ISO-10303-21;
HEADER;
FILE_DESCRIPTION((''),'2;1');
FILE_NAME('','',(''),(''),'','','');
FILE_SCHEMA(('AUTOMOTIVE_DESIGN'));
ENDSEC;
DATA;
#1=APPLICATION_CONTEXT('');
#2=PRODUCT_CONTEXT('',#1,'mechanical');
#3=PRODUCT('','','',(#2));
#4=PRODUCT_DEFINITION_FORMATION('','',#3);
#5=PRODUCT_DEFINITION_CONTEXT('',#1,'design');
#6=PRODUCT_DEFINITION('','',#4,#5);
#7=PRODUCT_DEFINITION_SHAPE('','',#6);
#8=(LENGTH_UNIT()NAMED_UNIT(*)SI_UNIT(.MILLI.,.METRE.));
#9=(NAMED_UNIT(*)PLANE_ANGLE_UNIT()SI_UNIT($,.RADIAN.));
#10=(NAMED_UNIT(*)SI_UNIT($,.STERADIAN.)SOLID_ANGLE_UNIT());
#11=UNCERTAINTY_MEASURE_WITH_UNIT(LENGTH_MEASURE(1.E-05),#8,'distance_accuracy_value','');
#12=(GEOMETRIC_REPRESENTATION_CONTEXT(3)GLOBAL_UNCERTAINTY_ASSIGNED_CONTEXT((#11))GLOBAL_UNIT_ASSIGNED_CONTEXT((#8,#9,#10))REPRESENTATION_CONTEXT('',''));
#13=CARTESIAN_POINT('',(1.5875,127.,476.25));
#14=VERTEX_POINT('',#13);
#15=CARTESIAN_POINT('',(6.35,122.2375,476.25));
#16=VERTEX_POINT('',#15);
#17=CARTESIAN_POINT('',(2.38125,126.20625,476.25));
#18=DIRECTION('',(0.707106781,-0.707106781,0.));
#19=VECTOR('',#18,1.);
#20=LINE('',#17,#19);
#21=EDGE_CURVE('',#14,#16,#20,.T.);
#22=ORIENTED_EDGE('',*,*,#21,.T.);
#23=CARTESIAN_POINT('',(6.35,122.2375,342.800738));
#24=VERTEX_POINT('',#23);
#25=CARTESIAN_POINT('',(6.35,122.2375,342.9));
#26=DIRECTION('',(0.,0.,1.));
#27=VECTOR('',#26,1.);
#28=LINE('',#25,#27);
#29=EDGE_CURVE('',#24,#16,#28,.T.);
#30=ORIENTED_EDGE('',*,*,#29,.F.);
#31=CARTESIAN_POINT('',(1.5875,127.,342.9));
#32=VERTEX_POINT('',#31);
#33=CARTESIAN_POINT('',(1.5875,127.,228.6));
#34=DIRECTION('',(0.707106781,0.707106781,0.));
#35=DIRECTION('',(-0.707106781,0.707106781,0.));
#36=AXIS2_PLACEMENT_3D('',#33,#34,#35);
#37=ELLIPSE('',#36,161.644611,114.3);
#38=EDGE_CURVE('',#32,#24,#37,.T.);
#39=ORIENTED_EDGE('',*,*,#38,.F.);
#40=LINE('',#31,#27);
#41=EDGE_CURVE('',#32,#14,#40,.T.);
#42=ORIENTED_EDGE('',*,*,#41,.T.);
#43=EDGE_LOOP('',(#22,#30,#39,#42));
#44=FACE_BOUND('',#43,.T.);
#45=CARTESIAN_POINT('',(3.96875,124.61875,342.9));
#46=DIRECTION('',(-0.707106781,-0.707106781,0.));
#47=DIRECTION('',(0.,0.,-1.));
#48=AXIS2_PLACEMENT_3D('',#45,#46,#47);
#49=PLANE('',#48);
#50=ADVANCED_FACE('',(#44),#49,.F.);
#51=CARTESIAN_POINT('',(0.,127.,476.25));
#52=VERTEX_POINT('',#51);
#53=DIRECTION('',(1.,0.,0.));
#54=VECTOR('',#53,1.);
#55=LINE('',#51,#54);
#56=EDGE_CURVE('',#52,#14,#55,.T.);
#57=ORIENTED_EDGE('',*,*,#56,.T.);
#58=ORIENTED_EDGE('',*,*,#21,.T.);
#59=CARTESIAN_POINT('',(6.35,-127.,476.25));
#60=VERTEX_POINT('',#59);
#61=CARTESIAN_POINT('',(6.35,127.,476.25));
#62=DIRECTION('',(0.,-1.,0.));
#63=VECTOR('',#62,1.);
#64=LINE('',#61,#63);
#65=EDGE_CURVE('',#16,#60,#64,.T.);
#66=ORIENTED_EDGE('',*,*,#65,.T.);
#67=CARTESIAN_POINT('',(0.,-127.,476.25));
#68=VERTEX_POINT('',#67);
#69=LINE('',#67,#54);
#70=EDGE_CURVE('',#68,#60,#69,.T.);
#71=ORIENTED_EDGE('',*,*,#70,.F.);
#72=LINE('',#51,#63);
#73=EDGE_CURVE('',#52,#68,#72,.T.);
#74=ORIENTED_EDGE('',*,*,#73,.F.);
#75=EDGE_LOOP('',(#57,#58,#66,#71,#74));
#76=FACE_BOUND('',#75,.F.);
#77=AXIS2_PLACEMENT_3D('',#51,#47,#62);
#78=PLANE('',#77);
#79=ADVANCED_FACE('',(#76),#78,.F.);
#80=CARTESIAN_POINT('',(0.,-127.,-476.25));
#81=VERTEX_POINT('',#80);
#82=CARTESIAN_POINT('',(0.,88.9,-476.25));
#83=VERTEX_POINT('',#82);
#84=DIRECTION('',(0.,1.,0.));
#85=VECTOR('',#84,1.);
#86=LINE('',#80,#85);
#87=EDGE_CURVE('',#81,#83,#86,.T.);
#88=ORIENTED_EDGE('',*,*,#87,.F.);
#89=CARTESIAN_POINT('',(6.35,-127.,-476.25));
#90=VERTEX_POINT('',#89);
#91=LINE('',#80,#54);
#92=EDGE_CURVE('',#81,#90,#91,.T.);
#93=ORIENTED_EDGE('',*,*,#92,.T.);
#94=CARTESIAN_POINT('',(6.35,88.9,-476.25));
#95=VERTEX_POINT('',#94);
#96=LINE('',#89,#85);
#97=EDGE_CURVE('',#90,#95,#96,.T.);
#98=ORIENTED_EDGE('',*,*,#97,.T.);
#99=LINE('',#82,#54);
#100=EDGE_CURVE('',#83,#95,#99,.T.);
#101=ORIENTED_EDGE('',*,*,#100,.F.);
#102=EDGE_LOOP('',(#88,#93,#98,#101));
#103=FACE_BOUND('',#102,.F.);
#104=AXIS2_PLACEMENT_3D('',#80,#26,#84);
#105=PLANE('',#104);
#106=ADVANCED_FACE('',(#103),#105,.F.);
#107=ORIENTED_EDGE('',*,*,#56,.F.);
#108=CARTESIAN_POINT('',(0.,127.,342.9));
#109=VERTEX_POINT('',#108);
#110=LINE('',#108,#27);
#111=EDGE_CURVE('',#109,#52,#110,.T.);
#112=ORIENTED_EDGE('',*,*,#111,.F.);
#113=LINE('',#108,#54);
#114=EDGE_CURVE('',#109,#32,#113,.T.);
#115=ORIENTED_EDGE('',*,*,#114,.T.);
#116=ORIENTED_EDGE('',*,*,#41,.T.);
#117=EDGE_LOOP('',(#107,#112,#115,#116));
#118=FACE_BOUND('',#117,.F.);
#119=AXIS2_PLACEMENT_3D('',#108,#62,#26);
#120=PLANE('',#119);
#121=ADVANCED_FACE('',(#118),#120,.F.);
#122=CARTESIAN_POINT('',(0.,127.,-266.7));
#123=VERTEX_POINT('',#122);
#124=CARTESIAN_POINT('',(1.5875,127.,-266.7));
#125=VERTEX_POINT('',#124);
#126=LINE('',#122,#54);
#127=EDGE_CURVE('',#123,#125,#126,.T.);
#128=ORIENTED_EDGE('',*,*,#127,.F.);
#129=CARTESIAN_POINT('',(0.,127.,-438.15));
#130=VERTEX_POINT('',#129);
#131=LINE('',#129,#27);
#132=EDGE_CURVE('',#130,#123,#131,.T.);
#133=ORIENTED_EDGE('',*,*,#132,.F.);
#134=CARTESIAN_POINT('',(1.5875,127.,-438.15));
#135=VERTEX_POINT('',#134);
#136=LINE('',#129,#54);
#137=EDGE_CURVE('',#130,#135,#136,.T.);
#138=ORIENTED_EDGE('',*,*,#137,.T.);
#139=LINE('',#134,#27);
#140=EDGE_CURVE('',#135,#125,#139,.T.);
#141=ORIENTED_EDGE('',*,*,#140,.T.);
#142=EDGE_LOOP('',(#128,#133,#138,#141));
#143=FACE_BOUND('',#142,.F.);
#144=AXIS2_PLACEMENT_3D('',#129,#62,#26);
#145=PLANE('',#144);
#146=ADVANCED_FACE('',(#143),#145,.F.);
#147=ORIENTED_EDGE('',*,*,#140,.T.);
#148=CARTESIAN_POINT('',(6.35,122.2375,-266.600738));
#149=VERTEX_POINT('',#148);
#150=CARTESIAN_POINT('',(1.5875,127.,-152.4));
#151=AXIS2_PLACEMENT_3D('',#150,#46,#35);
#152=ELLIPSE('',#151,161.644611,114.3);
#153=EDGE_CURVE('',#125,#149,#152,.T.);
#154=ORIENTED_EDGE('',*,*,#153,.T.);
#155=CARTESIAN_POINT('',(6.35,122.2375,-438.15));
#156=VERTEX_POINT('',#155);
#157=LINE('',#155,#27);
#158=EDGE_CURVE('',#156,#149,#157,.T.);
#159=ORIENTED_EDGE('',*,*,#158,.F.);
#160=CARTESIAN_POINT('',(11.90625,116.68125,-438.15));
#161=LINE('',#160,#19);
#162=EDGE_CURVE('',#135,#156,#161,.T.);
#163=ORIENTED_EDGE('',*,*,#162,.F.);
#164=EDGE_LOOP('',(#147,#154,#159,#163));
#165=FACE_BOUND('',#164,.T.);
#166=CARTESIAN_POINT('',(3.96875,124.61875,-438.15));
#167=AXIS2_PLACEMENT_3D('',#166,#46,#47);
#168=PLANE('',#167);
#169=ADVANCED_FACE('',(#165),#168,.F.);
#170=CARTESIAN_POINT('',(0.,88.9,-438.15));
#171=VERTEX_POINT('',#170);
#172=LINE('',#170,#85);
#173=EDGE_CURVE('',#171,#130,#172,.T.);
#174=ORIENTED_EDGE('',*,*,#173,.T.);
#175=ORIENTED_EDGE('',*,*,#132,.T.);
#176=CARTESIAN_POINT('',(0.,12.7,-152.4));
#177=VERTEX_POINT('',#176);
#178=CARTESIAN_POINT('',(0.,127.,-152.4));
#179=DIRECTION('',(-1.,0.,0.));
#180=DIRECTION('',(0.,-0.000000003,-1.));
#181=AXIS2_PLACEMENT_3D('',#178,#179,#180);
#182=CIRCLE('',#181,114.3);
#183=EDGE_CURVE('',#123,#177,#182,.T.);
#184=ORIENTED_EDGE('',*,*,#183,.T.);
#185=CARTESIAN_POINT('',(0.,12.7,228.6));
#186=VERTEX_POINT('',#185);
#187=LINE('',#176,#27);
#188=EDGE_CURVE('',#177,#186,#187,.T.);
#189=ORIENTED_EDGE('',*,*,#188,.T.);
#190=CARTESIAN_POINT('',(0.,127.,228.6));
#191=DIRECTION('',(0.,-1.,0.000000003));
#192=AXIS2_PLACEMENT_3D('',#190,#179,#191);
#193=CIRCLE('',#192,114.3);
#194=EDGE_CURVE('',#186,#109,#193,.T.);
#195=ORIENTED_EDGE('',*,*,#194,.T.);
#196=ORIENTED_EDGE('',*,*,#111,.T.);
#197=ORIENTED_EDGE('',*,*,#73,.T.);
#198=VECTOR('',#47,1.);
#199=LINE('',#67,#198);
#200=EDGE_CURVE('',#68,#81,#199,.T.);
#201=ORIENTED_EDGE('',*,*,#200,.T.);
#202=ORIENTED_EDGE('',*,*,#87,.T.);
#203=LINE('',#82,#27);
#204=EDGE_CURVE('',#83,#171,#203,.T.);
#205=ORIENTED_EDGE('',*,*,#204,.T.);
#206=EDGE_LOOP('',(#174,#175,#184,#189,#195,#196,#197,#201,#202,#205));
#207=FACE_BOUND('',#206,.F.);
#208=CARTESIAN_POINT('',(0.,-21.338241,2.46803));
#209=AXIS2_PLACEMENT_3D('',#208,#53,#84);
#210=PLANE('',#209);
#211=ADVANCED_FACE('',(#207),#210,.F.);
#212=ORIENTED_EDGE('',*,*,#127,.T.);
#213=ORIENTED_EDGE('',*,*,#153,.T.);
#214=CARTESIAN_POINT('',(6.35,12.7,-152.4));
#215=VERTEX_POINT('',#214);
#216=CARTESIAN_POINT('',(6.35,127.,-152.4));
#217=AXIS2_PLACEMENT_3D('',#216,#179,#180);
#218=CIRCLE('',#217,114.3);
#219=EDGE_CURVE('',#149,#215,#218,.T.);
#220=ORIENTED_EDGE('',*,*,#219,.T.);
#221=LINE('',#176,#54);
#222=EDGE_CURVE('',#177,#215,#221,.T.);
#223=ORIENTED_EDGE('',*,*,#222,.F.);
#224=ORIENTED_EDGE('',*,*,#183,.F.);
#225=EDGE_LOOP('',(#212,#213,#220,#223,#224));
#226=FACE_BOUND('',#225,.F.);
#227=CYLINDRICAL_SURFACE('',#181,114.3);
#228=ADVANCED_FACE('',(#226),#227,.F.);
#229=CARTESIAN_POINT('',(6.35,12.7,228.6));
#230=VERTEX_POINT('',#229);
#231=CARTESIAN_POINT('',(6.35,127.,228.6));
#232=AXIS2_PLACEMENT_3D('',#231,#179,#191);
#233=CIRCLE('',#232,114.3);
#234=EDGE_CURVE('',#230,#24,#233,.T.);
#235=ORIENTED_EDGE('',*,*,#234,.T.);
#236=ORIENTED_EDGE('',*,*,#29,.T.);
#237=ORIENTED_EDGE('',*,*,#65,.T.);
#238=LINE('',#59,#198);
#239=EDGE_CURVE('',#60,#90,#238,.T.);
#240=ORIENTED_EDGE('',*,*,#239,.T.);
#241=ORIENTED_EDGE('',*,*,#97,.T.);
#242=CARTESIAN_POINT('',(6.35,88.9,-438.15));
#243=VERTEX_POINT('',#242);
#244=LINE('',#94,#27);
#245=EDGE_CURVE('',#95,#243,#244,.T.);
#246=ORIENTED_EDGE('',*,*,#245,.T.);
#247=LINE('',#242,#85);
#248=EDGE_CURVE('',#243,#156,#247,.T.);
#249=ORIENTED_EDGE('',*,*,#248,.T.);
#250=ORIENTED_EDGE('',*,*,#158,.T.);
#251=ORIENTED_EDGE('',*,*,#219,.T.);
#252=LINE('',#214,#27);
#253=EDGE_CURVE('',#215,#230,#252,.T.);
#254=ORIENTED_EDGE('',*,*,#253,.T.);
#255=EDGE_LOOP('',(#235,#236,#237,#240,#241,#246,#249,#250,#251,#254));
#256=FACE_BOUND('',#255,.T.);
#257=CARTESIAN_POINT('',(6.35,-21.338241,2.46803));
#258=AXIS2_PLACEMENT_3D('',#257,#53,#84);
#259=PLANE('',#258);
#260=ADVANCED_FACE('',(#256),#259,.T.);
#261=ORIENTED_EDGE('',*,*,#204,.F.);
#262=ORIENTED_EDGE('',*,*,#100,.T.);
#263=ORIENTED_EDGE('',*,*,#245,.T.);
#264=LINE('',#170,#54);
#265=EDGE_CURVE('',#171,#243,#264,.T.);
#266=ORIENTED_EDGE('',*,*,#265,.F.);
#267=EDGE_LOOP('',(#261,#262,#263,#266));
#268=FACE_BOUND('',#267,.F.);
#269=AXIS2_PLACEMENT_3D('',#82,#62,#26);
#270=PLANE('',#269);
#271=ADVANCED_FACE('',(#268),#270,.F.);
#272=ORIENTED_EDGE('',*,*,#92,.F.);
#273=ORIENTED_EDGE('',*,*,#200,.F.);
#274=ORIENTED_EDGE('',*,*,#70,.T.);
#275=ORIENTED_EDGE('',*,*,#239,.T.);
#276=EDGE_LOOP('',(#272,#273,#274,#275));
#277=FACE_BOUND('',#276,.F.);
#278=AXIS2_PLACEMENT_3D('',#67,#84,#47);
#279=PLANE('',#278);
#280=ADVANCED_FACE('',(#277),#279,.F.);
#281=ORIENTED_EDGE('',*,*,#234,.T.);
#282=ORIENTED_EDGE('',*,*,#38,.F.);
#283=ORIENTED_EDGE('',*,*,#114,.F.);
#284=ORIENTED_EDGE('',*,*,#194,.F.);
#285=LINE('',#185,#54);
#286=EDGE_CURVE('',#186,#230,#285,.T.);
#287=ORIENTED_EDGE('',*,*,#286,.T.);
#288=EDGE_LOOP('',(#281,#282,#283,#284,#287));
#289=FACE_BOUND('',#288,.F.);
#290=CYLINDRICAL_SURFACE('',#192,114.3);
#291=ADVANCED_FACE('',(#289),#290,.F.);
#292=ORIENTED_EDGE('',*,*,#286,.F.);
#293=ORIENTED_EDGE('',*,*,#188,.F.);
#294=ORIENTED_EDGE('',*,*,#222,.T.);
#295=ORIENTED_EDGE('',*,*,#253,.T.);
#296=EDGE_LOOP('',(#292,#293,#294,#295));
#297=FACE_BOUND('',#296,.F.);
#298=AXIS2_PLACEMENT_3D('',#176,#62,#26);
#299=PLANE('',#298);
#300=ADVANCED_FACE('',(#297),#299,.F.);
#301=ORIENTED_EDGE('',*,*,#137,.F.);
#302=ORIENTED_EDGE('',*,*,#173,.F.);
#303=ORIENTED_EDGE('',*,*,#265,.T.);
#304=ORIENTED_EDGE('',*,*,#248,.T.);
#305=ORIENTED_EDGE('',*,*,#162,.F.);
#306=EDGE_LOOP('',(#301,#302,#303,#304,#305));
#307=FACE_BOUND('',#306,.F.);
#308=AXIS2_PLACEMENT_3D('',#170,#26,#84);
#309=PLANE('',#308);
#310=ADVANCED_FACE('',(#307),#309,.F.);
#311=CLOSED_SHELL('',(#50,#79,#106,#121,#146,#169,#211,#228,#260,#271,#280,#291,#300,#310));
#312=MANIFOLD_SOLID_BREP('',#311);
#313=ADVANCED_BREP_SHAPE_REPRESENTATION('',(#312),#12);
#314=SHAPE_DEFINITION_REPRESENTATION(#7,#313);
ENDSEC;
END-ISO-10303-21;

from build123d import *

# Parameters (mm, degrees)
F1_DEPTH = 6.35
F2_SIZE  = 4.7625


with BuildPart() as f1:
    # F0 (on Right) → F1 (new body)
    with BuildSketch(Plane.YZ):
        with BuildLine():
            Line((127, 476.25), (-127, 476.25))
            Line((-127, 476.25), (-127, -476.25))
            Line((-127, -476.25), (88.9, -476.25))
            Line((88.9, -476.25), (88.9, -438.15))
            Line((88.9, -438.15), (127, -438.15))
            Line((127, -438.15), (127, -266.7))
            ThreePointArc((127, -266.7), (46.177695, -233.222305), (12.7, -152.4))
            Line((12.7, -152.4), (12.7, 228.6))
            ThreePointArc((12.7, 228.6), (46.177695, 309.422305), (127, 342.9))
            Line((127, 342.9), (127, 476.25))
        make_face()
    extrude(amount=F1_DEPTH)

    # F2
    f2_edges = [f1.edges().sort_by_distance(p)[0] for p in [
        (6.35, 127, 409.575),
        (6.35, 127, -352.425),
    ]]
    chamfer(f2_edges, length=F2_SIZE)


solid = f1.part
